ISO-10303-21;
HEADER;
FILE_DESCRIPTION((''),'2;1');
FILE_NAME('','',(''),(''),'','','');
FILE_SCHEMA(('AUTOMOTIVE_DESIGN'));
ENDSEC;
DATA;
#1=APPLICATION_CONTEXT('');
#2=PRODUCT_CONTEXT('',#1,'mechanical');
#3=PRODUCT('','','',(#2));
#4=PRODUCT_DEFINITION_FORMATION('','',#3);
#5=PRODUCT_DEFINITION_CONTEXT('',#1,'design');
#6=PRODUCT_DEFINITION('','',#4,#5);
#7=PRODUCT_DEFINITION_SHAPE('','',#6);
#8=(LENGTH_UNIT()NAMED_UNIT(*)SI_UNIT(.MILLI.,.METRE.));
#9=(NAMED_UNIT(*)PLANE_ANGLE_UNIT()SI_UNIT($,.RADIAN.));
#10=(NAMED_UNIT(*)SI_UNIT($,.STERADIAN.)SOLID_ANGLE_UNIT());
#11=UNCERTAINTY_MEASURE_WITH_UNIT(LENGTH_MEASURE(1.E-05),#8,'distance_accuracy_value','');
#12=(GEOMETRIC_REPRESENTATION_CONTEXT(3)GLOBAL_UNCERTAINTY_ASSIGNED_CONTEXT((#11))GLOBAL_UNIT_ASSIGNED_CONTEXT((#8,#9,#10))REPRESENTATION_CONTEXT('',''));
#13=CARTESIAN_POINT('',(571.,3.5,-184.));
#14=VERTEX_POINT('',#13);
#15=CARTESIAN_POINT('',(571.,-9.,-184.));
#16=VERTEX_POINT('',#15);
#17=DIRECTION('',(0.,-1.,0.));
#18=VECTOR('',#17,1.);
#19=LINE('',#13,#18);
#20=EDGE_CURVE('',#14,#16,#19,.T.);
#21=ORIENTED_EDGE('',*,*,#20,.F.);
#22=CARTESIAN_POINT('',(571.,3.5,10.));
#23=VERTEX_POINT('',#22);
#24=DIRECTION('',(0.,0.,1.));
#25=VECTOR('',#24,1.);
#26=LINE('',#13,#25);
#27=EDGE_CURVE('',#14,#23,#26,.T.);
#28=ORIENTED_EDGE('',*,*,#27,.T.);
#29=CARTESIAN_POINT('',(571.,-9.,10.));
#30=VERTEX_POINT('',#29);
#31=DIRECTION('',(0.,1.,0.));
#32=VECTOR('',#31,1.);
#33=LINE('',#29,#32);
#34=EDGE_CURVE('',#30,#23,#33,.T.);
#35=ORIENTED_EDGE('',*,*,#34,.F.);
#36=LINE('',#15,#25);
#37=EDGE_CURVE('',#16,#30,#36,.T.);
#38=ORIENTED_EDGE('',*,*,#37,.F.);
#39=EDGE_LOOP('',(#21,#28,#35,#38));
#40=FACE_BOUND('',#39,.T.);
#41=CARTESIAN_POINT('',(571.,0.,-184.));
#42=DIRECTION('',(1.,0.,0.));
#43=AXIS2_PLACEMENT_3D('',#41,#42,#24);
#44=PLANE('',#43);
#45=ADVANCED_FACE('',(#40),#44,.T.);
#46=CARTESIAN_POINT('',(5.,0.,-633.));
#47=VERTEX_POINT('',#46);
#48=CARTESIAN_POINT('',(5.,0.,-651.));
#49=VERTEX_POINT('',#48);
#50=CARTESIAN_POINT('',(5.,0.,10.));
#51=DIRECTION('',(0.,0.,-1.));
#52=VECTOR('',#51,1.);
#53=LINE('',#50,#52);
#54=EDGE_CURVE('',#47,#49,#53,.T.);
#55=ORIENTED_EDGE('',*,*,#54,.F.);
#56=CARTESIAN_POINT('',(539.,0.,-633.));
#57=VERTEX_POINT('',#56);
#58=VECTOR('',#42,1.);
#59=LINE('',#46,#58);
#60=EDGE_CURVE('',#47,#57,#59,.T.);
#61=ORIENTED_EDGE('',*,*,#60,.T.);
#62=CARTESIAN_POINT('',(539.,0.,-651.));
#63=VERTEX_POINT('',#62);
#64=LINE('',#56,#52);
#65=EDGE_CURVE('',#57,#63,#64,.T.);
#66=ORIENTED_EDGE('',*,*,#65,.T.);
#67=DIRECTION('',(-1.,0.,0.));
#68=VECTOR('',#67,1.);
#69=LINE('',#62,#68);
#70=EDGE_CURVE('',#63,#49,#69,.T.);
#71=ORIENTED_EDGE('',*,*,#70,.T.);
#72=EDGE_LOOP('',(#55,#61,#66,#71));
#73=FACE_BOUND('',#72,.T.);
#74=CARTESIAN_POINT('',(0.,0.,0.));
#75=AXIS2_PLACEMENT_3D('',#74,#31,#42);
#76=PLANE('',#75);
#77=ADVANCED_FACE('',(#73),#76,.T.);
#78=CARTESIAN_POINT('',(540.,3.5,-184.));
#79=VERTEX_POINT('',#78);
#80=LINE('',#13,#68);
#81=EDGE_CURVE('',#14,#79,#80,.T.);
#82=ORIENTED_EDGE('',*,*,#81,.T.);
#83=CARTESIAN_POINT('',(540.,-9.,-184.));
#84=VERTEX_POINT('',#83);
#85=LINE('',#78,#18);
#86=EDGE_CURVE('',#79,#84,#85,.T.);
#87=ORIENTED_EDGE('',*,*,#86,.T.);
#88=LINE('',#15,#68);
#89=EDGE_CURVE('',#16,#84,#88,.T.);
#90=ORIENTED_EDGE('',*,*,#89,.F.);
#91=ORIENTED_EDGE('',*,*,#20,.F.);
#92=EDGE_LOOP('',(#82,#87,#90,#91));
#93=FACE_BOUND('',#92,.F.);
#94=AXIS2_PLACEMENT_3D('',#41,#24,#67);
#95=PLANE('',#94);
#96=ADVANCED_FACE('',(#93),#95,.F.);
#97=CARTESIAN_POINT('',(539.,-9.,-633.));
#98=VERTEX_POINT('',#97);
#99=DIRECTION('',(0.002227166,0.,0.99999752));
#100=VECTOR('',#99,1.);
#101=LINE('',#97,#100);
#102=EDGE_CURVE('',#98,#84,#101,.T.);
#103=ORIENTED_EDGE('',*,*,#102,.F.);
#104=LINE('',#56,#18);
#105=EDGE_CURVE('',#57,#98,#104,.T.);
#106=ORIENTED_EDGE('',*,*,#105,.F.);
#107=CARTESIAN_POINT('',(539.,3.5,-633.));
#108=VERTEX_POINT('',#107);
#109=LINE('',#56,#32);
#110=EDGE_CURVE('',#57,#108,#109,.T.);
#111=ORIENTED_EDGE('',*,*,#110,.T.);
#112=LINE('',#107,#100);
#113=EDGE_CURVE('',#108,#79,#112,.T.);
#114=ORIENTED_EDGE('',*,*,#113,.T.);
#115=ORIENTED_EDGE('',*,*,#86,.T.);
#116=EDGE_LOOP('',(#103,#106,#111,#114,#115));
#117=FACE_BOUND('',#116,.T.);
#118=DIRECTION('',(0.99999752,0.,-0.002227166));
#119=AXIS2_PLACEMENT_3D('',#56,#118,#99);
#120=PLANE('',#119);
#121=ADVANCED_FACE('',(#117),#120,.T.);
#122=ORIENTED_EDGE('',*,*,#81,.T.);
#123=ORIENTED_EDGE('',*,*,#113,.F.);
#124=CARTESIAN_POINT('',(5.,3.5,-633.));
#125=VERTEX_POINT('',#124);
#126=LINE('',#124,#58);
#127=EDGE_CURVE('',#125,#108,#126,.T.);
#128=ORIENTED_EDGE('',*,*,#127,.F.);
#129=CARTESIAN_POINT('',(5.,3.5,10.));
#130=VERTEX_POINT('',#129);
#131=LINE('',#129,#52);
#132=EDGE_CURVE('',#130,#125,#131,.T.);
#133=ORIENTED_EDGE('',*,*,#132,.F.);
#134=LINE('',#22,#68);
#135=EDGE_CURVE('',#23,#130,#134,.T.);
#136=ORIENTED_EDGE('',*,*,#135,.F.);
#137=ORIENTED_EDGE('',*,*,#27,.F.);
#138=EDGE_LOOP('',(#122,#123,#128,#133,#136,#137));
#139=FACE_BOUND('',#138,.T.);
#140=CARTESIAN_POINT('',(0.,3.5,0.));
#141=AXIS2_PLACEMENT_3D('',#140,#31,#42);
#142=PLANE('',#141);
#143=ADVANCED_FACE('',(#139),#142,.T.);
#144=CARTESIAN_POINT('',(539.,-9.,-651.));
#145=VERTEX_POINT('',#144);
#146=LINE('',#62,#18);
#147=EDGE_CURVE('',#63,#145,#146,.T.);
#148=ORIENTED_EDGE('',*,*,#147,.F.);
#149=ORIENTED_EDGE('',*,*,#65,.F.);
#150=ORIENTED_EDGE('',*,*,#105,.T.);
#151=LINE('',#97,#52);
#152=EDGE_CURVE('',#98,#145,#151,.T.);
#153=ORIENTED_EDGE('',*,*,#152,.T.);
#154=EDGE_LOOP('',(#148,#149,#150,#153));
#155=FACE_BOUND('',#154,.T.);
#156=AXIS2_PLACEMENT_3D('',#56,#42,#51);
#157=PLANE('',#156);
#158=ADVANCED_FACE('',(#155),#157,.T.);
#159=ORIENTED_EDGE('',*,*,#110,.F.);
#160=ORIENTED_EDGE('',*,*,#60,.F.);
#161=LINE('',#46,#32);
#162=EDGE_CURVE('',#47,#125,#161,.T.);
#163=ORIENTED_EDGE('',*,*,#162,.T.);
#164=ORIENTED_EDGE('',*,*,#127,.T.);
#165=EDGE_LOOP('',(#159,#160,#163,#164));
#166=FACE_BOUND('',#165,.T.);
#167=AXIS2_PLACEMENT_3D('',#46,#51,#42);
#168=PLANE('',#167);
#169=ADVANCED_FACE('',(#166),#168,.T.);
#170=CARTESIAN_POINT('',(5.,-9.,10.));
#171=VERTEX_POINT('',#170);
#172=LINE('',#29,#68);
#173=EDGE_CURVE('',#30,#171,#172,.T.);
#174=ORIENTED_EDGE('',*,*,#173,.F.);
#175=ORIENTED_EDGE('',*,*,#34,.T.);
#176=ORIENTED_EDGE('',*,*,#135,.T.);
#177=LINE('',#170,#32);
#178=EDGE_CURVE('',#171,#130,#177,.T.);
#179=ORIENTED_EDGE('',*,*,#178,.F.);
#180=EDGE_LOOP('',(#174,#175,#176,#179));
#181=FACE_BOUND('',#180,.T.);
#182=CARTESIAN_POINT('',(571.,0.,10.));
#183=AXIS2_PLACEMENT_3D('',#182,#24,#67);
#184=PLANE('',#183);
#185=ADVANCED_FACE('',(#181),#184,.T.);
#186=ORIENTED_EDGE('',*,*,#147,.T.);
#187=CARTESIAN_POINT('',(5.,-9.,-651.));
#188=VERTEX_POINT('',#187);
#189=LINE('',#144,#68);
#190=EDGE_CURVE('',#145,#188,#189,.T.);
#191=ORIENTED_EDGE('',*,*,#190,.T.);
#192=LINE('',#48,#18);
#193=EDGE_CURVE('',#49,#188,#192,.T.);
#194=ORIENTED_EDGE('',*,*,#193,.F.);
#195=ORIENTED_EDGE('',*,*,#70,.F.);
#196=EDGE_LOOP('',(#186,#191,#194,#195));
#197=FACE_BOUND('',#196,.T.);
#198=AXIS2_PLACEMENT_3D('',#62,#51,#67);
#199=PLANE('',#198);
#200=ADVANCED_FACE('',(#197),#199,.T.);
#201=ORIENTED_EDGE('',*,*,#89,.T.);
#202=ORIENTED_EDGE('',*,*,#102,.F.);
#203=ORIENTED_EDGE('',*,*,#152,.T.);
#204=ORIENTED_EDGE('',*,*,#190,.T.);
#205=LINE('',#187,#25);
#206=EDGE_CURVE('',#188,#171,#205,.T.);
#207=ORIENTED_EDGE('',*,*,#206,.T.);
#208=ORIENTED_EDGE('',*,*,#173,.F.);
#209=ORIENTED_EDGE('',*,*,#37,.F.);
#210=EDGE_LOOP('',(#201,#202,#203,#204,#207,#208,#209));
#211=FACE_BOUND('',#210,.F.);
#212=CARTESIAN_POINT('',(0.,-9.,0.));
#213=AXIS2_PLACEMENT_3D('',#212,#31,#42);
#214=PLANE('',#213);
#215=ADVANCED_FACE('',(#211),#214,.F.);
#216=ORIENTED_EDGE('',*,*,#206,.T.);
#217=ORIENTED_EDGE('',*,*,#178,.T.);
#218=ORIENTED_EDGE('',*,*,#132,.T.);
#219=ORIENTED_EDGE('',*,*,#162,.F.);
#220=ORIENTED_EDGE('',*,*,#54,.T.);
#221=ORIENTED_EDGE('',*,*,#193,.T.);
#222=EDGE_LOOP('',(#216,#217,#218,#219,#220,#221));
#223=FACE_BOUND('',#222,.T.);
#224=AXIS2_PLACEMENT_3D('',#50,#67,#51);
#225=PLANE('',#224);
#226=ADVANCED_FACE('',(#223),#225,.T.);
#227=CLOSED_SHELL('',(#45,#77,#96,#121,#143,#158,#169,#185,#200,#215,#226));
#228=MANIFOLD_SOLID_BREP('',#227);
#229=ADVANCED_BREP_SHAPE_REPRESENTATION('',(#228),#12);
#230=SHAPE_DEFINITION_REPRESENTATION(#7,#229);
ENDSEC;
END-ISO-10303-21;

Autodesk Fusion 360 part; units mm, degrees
sketch "Sketch1" plane through (0, 0, 0) normal (0, 1, 0) x (1, 0, 0)
  line L0 (5, 0) -> (5, 633)
  line L1 (571, 0) -> (571, 184)
  line L2 (539, 633) -> (539, 200)
  line L3 (571, 184) -> (540, 184)
  line L4 (539, 200) -> (539, 184)
  line L5 (539, 184) -> (540, 184)
  line L6 (5, 633) -> (5, 651)
  line L7 (539, 633) -> (539, 651)
  line L8 (539, 651) -> (5, 651)
  line L9 (5, 651) -> (5, 623)
  line L10 (539, 651) -> (539, 623)
  line L11 (5, 0) -> (5, -10)
  line L12 (571, 0) -> (571, -10)
  line L13 (571, -10) -> (5, -10)
  line L14 (5, 633) -> (539, 633)
  dimension "d1" = 633
  dimension "d3" = 184
  dimension "d4" = 534
  dimension "d5" = 433
  dimension "d6" = 31
  dimension "d7" = 16
  dimension "d8" = 18
  dimension "d9" = 18
  dimension "d10" = 28
  dimension "d11" = 28
  dimension "d12" = 10
  dimension "d13" = 10
  dimension "d14" = 566
sketch "Sketch2" plane through (0, 0, 0) normal (0, 1, 0) x (1, 0, 0)
  line L0 (539, 633) -> (539, 200)
  line L1 (5, 633) -> (539, 633)
  line L2 (539, 633) -> (540, 184)
  line L3 (571, 184) -> (540, 184)
  line L4 (540, 184) -> (571, 184)
  line L5 (571, 184) -> (571, -10)
  line L6 (571, -10) -> (5, -10)
  line L7 (5, -10) -> (5, 633)
  point P0 (5, 633)
  point P1 (539, 633)
  point P2 (540, 184)
  point P3 (571, 184)
  point P4 (571, -10)
  point P5 (5, -10)
extrude "Extrude1" add sketch "Sketch1" sketch "Sketch2" against normal blind 9 contours L6 L7 L8 L9 L10 L14 of sketch 2
extrude "Extrude2" add sketch "Sketch2" along normal blind 3.5
